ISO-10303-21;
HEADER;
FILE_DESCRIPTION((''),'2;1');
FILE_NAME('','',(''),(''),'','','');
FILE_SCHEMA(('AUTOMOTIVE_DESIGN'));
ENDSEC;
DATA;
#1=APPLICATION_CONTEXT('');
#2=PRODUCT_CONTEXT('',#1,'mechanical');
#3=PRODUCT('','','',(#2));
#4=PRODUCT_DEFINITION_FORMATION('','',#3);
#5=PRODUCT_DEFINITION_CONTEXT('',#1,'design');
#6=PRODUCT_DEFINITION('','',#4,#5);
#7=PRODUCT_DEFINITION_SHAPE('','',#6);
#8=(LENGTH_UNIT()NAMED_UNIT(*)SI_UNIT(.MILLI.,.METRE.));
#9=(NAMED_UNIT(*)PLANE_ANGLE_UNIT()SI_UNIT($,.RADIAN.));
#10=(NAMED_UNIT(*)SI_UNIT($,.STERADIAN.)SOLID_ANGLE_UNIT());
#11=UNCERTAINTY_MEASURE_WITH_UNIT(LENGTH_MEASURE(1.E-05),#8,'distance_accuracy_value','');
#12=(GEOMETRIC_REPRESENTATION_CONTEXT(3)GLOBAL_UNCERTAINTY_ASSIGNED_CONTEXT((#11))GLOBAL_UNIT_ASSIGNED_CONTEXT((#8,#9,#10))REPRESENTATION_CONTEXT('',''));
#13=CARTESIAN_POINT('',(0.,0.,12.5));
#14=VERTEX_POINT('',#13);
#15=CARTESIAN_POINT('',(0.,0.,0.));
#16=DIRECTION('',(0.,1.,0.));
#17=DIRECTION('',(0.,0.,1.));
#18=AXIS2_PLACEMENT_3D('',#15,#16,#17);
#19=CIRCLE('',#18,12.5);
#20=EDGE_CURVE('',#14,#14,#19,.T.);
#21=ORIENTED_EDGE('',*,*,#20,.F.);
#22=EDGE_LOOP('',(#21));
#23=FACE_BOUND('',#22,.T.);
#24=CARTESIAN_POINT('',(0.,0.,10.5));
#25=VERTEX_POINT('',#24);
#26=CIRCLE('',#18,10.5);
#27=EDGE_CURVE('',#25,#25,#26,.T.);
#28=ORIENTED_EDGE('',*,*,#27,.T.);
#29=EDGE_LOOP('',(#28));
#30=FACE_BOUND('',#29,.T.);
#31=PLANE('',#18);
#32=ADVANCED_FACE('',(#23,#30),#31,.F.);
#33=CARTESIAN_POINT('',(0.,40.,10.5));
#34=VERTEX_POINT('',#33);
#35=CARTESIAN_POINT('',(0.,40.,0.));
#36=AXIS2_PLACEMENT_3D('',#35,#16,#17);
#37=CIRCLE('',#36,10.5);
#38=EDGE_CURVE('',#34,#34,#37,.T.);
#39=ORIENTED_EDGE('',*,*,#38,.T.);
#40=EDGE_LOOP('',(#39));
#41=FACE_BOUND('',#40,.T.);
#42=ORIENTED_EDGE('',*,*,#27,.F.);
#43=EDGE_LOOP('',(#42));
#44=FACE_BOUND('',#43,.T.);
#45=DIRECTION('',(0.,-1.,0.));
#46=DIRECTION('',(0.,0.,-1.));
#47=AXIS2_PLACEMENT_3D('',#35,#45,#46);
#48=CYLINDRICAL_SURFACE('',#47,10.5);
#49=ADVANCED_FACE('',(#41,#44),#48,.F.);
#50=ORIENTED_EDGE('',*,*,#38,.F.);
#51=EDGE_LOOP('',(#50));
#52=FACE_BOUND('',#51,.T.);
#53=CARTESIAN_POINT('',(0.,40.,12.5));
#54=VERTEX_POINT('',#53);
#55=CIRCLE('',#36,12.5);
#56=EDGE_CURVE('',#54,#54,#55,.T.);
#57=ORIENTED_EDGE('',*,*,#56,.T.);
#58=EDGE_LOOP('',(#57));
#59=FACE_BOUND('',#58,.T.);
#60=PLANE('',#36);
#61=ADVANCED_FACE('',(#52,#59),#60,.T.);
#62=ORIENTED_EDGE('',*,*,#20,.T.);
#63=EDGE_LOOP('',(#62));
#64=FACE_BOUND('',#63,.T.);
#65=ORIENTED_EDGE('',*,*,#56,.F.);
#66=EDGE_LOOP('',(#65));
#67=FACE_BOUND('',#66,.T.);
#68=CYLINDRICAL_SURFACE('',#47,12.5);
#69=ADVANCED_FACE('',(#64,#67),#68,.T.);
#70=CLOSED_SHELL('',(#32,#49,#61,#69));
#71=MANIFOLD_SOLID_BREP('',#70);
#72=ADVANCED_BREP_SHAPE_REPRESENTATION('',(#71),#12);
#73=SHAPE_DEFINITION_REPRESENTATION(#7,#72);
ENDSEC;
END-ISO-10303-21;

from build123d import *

# Parameters (mm, degrees)
SKETCH_1_R      = 12.5
SKETCH_1_R_2    = 10.5
EXTRUDE_1_DEPTH = 40


with BuildPart() as part:
    # 草图1 → 凸台-拉伸1 (new body)
    with BuildSketch(Plane(origin=(0, 0, 0), x_dir=(1, 0, 0), z_dir=(0, 1, 0))):
        Circle(SKETCH_1_R)
        Circle(SKETCH_1_R_2, mode=Mode.SUBTRACT)
    extrude(amount=EXTRUDE_1_DEPTH)


solid = part.part
